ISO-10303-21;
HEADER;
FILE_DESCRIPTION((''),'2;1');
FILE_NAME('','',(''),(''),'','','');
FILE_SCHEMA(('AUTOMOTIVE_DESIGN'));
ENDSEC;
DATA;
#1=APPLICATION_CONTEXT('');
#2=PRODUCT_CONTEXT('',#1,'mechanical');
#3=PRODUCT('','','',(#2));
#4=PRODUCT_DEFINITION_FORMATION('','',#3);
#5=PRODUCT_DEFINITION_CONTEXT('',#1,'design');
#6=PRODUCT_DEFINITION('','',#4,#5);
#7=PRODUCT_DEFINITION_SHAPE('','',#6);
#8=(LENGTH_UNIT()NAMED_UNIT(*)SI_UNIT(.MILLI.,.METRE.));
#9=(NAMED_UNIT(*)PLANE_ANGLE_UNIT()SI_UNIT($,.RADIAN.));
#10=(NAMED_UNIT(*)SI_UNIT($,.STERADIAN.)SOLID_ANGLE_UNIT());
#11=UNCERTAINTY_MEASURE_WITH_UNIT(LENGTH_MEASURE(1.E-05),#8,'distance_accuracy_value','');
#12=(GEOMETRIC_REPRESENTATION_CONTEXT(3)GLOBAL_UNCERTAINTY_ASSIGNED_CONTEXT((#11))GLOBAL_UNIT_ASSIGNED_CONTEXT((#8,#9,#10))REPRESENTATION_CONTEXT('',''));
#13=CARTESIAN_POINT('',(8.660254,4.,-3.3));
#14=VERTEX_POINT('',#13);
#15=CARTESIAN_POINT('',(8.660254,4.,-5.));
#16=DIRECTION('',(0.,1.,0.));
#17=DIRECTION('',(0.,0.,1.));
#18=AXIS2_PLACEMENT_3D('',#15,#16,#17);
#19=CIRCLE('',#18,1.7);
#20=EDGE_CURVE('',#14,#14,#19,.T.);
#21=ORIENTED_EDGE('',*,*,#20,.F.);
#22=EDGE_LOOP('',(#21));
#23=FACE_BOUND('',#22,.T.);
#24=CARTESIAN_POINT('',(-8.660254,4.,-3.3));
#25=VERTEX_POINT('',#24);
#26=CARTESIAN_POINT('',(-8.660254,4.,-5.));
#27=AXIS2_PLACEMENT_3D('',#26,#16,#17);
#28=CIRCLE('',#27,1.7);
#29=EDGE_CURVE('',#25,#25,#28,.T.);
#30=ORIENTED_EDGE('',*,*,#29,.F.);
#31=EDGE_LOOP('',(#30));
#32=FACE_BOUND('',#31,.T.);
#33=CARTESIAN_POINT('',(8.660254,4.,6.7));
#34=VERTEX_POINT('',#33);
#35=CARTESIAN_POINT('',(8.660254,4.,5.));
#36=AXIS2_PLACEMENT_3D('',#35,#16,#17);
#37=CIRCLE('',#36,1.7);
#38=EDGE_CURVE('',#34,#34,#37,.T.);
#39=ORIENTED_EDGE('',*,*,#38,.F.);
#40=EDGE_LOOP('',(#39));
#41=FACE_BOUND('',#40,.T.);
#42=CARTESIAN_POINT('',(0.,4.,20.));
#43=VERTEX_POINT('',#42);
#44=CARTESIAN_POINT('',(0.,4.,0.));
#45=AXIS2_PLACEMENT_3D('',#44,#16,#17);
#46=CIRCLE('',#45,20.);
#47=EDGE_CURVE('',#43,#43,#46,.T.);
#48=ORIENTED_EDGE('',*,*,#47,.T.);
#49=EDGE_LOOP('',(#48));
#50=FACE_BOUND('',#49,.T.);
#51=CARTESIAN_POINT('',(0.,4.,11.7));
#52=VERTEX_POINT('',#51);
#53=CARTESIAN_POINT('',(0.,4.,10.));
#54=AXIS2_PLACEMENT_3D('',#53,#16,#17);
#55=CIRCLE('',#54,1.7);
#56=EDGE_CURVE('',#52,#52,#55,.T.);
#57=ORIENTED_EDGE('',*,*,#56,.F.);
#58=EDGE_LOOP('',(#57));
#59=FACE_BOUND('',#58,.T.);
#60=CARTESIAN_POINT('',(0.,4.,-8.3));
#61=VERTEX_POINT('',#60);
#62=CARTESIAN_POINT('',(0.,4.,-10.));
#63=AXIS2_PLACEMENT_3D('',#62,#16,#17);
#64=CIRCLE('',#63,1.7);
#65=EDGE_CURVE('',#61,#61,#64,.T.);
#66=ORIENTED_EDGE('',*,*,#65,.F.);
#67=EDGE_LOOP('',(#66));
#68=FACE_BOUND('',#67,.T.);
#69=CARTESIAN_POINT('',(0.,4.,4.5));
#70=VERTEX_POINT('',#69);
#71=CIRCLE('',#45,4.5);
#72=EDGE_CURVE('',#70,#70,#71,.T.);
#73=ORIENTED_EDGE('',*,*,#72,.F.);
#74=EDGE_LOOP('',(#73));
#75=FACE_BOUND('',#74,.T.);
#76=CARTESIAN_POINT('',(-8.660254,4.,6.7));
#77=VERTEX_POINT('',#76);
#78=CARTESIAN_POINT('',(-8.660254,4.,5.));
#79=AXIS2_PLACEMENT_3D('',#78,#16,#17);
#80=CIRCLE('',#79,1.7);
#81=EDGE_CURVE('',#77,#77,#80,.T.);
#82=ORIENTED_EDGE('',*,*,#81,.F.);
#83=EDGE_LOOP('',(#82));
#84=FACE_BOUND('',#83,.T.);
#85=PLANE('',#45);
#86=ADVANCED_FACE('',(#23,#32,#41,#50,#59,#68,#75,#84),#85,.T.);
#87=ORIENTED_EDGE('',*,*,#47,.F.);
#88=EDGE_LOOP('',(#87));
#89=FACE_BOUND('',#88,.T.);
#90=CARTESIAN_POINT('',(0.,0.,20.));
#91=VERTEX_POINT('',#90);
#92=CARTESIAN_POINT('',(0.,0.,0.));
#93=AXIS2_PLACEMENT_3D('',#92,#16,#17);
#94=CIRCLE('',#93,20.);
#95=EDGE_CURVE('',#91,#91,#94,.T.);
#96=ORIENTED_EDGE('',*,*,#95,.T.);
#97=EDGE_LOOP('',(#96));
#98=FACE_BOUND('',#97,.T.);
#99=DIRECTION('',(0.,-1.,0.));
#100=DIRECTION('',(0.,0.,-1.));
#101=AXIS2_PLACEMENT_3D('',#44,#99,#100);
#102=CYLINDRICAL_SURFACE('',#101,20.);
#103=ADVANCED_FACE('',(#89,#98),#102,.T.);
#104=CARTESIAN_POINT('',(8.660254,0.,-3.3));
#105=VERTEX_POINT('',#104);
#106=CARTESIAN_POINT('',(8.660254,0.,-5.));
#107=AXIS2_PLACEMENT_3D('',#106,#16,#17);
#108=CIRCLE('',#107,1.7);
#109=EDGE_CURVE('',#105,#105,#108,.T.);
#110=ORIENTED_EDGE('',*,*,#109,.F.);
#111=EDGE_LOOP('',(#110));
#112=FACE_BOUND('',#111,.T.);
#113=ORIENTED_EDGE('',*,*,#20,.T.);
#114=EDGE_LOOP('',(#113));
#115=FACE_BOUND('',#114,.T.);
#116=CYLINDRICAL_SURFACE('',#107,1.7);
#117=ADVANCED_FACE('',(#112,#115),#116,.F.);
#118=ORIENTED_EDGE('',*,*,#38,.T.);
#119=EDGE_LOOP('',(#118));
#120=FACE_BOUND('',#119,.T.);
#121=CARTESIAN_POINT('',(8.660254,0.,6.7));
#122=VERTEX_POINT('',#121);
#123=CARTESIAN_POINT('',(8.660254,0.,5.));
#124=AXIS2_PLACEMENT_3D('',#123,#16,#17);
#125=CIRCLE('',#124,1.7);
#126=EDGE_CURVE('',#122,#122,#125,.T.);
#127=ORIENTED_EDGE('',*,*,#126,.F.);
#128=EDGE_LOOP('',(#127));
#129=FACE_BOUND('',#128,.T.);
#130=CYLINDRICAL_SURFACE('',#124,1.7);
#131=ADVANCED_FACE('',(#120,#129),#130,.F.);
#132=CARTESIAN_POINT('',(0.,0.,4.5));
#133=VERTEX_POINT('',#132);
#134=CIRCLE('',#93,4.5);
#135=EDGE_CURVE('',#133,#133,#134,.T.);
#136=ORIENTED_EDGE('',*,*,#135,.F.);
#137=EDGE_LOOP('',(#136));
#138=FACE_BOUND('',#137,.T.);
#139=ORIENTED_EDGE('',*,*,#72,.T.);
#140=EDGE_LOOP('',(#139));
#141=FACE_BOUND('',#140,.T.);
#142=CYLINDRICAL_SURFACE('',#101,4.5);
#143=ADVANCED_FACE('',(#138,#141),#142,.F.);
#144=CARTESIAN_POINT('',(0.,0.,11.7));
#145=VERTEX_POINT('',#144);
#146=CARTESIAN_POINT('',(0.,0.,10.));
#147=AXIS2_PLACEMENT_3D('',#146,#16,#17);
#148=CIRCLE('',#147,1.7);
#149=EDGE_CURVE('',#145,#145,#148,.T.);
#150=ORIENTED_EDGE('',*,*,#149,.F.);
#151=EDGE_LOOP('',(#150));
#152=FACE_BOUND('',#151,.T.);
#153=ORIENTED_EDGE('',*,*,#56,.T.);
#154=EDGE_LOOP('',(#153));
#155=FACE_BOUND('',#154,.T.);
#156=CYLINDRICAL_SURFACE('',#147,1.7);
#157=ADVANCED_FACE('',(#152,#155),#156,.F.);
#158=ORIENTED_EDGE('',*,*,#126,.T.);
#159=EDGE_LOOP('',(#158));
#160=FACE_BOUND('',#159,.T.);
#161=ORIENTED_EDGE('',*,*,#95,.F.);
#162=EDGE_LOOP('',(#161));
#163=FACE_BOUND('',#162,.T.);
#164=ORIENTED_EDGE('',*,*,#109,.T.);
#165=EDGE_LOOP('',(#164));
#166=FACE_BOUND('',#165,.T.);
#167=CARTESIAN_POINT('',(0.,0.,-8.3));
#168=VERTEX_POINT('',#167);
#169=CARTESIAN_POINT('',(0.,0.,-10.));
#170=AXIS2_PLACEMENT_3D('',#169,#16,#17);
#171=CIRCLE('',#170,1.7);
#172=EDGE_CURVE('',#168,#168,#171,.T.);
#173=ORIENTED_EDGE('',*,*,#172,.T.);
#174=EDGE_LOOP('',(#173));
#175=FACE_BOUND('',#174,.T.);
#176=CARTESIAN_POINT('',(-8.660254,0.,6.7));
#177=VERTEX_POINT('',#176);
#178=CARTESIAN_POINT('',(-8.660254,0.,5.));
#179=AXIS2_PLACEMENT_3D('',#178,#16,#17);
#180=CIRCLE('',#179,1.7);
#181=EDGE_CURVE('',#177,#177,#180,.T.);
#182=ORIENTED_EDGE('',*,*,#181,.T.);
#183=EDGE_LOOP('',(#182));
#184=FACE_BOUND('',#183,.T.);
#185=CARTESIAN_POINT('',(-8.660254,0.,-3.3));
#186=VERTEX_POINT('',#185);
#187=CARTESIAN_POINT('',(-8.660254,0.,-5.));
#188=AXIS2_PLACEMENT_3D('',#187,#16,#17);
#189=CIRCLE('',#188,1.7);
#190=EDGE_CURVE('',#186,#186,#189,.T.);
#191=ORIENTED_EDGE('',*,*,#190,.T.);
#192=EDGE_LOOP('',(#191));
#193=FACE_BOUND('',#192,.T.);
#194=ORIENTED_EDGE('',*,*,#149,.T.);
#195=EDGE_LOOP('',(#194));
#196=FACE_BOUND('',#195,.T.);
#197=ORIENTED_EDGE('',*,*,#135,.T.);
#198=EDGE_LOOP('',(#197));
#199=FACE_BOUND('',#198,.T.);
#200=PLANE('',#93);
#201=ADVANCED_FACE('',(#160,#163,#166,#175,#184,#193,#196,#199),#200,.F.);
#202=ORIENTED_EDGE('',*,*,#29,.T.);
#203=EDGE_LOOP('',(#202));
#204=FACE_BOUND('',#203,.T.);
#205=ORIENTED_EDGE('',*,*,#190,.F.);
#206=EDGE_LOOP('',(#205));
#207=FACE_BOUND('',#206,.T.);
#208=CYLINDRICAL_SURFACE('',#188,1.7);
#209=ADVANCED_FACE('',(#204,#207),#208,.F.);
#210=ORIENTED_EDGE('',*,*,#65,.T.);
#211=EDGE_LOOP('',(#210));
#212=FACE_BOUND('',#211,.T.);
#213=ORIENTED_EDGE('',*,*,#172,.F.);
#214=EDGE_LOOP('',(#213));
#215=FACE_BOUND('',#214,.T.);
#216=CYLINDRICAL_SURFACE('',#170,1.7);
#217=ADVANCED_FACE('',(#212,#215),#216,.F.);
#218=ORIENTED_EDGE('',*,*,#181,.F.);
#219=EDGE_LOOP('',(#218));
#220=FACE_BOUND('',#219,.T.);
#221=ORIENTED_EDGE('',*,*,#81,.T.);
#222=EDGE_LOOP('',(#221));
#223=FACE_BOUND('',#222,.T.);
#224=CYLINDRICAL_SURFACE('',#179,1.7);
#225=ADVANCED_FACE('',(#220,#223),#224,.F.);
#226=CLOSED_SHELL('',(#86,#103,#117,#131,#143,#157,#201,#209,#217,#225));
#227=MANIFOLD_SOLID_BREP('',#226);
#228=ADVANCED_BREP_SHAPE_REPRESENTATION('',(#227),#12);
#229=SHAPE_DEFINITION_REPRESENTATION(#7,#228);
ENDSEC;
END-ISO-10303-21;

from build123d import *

# Parameters (mm, degrees)
SKETCH_1_R          = 20
SKETCH_1_R_2        = 4.5
EXTRUDE_1_DEPTH     = 4
SKETCH_2_R          = 1.7
CUT_EXTRUDE_1_DEPTH = 29.565713714


with BuildPart() as part:
    # 草图1 → 凸台-拉伸1 (new body)
    with BuildSketch(Plane(origin=(0, 0, 0), x_dir=(1, 0, 0), z_dir=(0, 1, 0))):
        with Locations(Location((0, 0, 0), (0, 0, 270))):
            Circle(SKETCH_1_R)
        with Locations(Location((0, 0, 0), (0, 0, 270))):
            Circle(SKETCH_1_R_2, mode=Mode.SUBTRACT)
    extrude(amount=EXTRUDE_1_DEPTH)

    # 草图2 → 切除-拉伸1 (cut, through all)
    with BuildSketch(Plane(origin=(0, 4, 0), x_dir=(1, 0, 0), z_dir=(0, 1, 0))):
        with Locations(Location((0, 10, 0), (0, 0, 270))):
            Circle(SKETCH_2_R)
        with Locations(Location((8.660254038, 5, 0), (0, 0, 270))):
            Circle(SKETCH_2_R)
        with Locations(Location((8.660254038, -5, 0), (0, 0, 270))):
            Circle(SKETCH_2_R)
        with Locations(Location((0, -10, 0), (0, 0, 270))):
            Circle(SKETCH_2_R)
        with Locations(Location((-8.660254038, -5, 0), (0, 0, 270))):
            Circle(SKETCH_2_R)
        with Locations(Location((-8.660254038, 5, 0), (0, 0, 270))):
            Circle(SKETCH_2_R)
    extrude(amount=-CUT_EXTRUDE_1_DEPTH, mode=Mode.SUBTRACT)


solid = part.part
